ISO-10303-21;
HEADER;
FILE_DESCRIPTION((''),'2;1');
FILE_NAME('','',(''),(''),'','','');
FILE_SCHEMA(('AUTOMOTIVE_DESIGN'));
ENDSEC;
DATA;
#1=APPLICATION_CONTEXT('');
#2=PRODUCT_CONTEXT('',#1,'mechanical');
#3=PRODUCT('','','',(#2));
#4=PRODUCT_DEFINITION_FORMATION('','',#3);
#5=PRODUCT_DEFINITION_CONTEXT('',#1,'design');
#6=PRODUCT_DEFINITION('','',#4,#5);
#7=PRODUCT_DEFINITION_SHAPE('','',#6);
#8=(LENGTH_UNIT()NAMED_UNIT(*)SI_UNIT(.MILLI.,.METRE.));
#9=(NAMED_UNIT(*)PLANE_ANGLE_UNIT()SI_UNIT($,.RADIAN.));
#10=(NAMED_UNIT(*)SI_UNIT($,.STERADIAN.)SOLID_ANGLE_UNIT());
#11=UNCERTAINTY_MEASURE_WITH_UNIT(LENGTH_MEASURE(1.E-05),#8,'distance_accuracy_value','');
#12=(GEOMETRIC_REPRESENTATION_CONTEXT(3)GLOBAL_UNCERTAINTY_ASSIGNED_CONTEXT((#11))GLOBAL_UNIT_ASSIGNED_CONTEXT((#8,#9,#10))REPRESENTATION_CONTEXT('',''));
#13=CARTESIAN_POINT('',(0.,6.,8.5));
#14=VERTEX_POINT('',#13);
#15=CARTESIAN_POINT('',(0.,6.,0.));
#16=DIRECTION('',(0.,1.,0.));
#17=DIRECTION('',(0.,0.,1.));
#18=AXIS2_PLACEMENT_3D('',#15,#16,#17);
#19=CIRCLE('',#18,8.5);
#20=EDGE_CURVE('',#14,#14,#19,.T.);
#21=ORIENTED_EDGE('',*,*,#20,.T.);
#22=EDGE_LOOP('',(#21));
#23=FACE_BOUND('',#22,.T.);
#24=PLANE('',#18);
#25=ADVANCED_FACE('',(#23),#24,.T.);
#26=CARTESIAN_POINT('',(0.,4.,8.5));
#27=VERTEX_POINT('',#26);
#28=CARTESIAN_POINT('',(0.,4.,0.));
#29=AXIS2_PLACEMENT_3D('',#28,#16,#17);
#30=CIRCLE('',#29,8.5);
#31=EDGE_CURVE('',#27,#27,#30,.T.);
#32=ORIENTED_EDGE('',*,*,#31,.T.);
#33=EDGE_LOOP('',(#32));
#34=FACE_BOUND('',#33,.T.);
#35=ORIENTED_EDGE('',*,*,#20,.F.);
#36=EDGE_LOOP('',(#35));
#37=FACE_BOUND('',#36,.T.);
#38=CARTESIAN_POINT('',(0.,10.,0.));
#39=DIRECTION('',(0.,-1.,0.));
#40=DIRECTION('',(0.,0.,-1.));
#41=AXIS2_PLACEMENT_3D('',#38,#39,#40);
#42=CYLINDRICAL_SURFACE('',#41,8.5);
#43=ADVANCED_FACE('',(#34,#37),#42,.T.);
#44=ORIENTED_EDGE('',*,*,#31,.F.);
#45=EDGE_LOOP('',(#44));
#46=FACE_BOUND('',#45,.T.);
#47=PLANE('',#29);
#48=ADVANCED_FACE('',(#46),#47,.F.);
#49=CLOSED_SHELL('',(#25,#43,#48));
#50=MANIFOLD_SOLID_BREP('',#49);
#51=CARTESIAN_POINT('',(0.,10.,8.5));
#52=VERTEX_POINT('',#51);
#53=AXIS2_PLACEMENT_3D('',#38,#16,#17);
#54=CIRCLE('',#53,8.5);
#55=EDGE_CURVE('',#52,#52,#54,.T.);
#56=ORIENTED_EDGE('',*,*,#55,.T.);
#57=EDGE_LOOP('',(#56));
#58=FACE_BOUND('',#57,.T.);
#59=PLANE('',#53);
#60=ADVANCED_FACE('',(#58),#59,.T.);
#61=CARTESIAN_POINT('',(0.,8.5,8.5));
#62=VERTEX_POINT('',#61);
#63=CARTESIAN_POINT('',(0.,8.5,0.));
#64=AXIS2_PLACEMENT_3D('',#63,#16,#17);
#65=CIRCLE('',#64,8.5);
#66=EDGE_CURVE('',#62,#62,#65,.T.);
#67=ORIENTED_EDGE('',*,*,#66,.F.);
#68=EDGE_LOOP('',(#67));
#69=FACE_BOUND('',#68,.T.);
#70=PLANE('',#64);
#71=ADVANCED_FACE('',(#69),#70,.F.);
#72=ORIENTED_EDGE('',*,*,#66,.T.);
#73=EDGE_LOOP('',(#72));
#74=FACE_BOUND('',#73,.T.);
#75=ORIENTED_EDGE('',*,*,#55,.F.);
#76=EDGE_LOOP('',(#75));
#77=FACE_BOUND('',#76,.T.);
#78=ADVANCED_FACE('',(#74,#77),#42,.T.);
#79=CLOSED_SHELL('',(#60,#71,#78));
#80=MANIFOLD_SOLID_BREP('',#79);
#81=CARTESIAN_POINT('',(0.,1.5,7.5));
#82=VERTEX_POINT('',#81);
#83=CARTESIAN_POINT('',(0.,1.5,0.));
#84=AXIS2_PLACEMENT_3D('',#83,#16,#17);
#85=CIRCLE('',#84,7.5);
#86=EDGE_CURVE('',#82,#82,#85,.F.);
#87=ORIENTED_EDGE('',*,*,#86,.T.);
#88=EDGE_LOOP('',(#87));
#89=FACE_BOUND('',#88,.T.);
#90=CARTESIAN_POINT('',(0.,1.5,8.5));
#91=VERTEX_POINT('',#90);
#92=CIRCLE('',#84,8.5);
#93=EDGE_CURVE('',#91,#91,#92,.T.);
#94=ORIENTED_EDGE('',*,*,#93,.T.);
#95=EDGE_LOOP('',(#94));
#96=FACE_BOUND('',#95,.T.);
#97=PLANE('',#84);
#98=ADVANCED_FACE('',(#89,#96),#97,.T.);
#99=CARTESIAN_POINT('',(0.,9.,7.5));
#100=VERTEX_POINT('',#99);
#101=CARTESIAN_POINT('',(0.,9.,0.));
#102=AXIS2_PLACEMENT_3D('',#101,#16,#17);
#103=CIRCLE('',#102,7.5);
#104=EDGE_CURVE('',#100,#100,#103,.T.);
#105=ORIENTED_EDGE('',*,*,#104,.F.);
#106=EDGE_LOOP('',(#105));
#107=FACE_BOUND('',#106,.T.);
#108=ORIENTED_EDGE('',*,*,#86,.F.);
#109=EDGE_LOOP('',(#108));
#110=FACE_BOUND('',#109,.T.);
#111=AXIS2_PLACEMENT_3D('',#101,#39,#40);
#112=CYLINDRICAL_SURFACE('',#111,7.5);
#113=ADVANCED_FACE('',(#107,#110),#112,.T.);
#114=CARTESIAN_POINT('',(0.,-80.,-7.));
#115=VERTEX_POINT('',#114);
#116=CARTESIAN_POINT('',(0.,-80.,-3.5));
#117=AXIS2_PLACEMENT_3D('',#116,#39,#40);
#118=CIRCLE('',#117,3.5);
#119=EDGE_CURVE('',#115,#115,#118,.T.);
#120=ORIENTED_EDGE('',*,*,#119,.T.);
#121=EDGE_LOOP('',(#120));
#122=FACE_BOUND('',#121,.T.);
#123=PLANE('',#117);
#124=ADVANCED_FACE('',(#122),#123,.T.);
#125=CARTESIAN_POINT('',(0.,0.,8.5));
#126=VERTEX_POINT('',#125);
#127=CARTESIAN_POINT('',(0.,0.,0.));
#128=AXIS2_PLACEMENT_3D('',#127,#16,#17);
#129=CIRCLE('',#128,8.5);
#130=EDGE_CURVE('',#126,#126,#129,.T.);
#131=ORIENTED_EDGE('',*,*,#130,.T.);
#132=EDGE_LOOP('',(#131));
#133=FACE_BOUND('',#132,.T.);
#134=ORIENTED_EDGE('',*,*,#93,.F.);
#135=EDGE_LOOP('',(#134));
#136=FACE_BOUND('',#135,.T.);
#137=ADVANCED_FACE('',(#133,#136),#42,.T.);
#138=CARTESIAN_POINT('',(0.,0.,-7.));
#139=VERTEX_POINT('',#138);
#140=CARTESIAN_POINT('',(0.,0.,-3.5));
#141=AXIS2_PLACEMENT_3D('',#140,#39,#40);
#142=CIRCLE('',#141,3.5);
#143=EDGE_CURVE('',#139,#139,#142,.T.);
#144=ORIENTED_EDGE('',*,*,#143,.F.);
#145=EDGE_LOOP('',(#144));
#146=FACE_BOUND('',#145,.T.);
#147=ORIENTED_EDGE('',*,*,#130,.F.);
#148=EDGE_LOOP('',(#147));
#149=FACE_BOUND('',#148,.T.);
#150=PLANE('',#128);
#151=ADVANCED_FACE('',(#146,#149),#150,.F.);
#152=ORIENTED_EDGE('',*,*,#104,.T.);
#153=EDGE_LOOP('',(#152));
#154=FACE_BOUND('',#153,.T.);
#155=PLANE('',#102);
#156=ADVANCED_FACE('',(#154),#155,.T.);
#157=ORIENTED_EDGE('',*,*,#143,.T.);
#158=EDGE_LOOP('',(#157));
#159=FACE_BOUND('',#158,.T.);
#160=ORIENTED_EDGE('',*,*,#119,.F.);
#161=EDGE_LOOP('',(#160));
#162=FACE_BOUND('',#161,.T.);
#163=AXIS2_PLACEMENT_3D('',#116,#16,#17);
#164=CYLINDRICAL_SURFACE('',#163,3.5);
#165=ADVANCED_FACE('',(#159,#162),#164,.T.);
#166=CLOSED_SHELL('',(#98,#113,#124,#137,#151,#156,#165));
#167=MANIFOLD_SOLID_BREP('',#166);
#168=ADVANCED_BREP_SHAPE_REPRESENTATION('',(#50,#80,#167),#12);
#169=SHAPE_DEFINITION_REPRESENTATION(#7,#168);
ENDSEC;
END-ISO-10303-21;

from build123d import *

# Parameters (mm, degrees)
SKETCH2_R           = 8.5
BOSS_EXTRUDE1_DEPTH = 10
CUT_EXTRUDE1_START  = 1.5
SKETCH2_2_R         = 8.5
CUT_EXTRUDE1_DEPTH  = 2.5
CUT_EXTRUDE2_START  = 6
SKETCH2_3_R         = 8.5
CUT_EXTRUDE2_DEPTH  = 2.5
SKETCH4_R           = 7.5
BOSS_EXTRUDE3_DEPTH = 9
SKETCH5_R           = 3.5
BOSS_EXTRUDE4_DEPTH = 80


with BuildPart() as part:
    # Sketch2 → Boss-Extrude1 (new body)
    with BuildSketch(Plane(origin=(0, 0, 0), x_dir=(1, 0, 0), z_dir=(0, 1, 0))):
        with Locations(Location((0, 0, 0), (0, 0, 270))):
            Circle(SKETCH2_R)
    extrude(amount=BOSS_EXTRUDE1_DEPTH)

    # Sketch2<2> → Cut-Extrude1 (cut)
    with BuildSketch(Plane(origin=(0, 0, 0), x_dir=(1, 0, 0), z_dir=(0, 1, 0)).offset(CUT_EXTRUDE1_START)):
        with Locations(Location((0, 0, 0), (0, 0, 270))):
            Circle(SKETCH2_2_R)
    extrude(amount=CUT_EXTRUDE1_DEPTH, mode=Mode.SUBTRACT)


with BuildPart() as cut_extrude1_piece_1:
    # of the separate pieces the step leaves, piece 1, a body of its own (cut_extrude1_pieces)
    add(part.part.solids().sort_by_distance((0, 4, 8.5))[0])

    # Sketch2<3> → Cut-Extrude2 (cut)
    with BuildSketch(Plane(origin=(0, 0, 0), x_dir=(1, 0, 0), z_dir=(0, 1, 0)).offset(CUT_EXTRUDE2_START)):
        with Locations(Location((0, 0, 0), (0, 0, 270))):
            Circle(SKETCH2_3_R)
    extrude(amount=CUT_EXTRUDE2_DEPTH, mode=Mode.SUBTRACT)


with BuildPart() as cut_extrude1_piece_2:
    # of the separate pieces the step leaves, piece 2, a body of its own (cut_extrude1_pieces)
    add(part.part.solids().sort_by_distance((0, 0, 8.5))[0])

    # Sketch4 → Boss-Extrude3 (add)
    with BuildSketch(Plane(origin=(0, 0, 0), x_dir=(1, 0, 0), z_dir=(0, 1, 0))):
        with Locations(Location((0, 0, 0), (0, 0, 270))):
            Circle(SKETCH4_R)
    extrude(amount=BOSS_EXTRUDE3_DEPTH)

    # Sketch5 → Boss-Extrude4 (add)
    with BuildSketch(Plane.XZ):
        with Locations(Location((0, -3.5, 0), (0, 0, 270))):
            Circle(SKETCH5_R)
    extrude(amount=BOSS_EXTRUDE4_DEPTH)


with BuildPart() as cut_extrude2_piece_1:
    # of the separate pieces the step leaves, piece 1, a body of its own (cut_extrude2_pieces)
    add(cut_extrude1_piece_1.part.solids().sort_by_distance((0, 4, 8.5))[0])


with BuildPart() as cut_extrude2_piece_2:
    # of the separate pieces the step leaves, piece 2, a body of its own (cut_extrude2_pieces)
    add(cut_extrude1_piece_1.part.solids().sort_by_distance((0, 8.5, 8.5))[0])


solid = Compound([cut_extrude1_piece_2.part, cut_extrude2_piece_1.part, cut_extrude2_piece_2.part])
